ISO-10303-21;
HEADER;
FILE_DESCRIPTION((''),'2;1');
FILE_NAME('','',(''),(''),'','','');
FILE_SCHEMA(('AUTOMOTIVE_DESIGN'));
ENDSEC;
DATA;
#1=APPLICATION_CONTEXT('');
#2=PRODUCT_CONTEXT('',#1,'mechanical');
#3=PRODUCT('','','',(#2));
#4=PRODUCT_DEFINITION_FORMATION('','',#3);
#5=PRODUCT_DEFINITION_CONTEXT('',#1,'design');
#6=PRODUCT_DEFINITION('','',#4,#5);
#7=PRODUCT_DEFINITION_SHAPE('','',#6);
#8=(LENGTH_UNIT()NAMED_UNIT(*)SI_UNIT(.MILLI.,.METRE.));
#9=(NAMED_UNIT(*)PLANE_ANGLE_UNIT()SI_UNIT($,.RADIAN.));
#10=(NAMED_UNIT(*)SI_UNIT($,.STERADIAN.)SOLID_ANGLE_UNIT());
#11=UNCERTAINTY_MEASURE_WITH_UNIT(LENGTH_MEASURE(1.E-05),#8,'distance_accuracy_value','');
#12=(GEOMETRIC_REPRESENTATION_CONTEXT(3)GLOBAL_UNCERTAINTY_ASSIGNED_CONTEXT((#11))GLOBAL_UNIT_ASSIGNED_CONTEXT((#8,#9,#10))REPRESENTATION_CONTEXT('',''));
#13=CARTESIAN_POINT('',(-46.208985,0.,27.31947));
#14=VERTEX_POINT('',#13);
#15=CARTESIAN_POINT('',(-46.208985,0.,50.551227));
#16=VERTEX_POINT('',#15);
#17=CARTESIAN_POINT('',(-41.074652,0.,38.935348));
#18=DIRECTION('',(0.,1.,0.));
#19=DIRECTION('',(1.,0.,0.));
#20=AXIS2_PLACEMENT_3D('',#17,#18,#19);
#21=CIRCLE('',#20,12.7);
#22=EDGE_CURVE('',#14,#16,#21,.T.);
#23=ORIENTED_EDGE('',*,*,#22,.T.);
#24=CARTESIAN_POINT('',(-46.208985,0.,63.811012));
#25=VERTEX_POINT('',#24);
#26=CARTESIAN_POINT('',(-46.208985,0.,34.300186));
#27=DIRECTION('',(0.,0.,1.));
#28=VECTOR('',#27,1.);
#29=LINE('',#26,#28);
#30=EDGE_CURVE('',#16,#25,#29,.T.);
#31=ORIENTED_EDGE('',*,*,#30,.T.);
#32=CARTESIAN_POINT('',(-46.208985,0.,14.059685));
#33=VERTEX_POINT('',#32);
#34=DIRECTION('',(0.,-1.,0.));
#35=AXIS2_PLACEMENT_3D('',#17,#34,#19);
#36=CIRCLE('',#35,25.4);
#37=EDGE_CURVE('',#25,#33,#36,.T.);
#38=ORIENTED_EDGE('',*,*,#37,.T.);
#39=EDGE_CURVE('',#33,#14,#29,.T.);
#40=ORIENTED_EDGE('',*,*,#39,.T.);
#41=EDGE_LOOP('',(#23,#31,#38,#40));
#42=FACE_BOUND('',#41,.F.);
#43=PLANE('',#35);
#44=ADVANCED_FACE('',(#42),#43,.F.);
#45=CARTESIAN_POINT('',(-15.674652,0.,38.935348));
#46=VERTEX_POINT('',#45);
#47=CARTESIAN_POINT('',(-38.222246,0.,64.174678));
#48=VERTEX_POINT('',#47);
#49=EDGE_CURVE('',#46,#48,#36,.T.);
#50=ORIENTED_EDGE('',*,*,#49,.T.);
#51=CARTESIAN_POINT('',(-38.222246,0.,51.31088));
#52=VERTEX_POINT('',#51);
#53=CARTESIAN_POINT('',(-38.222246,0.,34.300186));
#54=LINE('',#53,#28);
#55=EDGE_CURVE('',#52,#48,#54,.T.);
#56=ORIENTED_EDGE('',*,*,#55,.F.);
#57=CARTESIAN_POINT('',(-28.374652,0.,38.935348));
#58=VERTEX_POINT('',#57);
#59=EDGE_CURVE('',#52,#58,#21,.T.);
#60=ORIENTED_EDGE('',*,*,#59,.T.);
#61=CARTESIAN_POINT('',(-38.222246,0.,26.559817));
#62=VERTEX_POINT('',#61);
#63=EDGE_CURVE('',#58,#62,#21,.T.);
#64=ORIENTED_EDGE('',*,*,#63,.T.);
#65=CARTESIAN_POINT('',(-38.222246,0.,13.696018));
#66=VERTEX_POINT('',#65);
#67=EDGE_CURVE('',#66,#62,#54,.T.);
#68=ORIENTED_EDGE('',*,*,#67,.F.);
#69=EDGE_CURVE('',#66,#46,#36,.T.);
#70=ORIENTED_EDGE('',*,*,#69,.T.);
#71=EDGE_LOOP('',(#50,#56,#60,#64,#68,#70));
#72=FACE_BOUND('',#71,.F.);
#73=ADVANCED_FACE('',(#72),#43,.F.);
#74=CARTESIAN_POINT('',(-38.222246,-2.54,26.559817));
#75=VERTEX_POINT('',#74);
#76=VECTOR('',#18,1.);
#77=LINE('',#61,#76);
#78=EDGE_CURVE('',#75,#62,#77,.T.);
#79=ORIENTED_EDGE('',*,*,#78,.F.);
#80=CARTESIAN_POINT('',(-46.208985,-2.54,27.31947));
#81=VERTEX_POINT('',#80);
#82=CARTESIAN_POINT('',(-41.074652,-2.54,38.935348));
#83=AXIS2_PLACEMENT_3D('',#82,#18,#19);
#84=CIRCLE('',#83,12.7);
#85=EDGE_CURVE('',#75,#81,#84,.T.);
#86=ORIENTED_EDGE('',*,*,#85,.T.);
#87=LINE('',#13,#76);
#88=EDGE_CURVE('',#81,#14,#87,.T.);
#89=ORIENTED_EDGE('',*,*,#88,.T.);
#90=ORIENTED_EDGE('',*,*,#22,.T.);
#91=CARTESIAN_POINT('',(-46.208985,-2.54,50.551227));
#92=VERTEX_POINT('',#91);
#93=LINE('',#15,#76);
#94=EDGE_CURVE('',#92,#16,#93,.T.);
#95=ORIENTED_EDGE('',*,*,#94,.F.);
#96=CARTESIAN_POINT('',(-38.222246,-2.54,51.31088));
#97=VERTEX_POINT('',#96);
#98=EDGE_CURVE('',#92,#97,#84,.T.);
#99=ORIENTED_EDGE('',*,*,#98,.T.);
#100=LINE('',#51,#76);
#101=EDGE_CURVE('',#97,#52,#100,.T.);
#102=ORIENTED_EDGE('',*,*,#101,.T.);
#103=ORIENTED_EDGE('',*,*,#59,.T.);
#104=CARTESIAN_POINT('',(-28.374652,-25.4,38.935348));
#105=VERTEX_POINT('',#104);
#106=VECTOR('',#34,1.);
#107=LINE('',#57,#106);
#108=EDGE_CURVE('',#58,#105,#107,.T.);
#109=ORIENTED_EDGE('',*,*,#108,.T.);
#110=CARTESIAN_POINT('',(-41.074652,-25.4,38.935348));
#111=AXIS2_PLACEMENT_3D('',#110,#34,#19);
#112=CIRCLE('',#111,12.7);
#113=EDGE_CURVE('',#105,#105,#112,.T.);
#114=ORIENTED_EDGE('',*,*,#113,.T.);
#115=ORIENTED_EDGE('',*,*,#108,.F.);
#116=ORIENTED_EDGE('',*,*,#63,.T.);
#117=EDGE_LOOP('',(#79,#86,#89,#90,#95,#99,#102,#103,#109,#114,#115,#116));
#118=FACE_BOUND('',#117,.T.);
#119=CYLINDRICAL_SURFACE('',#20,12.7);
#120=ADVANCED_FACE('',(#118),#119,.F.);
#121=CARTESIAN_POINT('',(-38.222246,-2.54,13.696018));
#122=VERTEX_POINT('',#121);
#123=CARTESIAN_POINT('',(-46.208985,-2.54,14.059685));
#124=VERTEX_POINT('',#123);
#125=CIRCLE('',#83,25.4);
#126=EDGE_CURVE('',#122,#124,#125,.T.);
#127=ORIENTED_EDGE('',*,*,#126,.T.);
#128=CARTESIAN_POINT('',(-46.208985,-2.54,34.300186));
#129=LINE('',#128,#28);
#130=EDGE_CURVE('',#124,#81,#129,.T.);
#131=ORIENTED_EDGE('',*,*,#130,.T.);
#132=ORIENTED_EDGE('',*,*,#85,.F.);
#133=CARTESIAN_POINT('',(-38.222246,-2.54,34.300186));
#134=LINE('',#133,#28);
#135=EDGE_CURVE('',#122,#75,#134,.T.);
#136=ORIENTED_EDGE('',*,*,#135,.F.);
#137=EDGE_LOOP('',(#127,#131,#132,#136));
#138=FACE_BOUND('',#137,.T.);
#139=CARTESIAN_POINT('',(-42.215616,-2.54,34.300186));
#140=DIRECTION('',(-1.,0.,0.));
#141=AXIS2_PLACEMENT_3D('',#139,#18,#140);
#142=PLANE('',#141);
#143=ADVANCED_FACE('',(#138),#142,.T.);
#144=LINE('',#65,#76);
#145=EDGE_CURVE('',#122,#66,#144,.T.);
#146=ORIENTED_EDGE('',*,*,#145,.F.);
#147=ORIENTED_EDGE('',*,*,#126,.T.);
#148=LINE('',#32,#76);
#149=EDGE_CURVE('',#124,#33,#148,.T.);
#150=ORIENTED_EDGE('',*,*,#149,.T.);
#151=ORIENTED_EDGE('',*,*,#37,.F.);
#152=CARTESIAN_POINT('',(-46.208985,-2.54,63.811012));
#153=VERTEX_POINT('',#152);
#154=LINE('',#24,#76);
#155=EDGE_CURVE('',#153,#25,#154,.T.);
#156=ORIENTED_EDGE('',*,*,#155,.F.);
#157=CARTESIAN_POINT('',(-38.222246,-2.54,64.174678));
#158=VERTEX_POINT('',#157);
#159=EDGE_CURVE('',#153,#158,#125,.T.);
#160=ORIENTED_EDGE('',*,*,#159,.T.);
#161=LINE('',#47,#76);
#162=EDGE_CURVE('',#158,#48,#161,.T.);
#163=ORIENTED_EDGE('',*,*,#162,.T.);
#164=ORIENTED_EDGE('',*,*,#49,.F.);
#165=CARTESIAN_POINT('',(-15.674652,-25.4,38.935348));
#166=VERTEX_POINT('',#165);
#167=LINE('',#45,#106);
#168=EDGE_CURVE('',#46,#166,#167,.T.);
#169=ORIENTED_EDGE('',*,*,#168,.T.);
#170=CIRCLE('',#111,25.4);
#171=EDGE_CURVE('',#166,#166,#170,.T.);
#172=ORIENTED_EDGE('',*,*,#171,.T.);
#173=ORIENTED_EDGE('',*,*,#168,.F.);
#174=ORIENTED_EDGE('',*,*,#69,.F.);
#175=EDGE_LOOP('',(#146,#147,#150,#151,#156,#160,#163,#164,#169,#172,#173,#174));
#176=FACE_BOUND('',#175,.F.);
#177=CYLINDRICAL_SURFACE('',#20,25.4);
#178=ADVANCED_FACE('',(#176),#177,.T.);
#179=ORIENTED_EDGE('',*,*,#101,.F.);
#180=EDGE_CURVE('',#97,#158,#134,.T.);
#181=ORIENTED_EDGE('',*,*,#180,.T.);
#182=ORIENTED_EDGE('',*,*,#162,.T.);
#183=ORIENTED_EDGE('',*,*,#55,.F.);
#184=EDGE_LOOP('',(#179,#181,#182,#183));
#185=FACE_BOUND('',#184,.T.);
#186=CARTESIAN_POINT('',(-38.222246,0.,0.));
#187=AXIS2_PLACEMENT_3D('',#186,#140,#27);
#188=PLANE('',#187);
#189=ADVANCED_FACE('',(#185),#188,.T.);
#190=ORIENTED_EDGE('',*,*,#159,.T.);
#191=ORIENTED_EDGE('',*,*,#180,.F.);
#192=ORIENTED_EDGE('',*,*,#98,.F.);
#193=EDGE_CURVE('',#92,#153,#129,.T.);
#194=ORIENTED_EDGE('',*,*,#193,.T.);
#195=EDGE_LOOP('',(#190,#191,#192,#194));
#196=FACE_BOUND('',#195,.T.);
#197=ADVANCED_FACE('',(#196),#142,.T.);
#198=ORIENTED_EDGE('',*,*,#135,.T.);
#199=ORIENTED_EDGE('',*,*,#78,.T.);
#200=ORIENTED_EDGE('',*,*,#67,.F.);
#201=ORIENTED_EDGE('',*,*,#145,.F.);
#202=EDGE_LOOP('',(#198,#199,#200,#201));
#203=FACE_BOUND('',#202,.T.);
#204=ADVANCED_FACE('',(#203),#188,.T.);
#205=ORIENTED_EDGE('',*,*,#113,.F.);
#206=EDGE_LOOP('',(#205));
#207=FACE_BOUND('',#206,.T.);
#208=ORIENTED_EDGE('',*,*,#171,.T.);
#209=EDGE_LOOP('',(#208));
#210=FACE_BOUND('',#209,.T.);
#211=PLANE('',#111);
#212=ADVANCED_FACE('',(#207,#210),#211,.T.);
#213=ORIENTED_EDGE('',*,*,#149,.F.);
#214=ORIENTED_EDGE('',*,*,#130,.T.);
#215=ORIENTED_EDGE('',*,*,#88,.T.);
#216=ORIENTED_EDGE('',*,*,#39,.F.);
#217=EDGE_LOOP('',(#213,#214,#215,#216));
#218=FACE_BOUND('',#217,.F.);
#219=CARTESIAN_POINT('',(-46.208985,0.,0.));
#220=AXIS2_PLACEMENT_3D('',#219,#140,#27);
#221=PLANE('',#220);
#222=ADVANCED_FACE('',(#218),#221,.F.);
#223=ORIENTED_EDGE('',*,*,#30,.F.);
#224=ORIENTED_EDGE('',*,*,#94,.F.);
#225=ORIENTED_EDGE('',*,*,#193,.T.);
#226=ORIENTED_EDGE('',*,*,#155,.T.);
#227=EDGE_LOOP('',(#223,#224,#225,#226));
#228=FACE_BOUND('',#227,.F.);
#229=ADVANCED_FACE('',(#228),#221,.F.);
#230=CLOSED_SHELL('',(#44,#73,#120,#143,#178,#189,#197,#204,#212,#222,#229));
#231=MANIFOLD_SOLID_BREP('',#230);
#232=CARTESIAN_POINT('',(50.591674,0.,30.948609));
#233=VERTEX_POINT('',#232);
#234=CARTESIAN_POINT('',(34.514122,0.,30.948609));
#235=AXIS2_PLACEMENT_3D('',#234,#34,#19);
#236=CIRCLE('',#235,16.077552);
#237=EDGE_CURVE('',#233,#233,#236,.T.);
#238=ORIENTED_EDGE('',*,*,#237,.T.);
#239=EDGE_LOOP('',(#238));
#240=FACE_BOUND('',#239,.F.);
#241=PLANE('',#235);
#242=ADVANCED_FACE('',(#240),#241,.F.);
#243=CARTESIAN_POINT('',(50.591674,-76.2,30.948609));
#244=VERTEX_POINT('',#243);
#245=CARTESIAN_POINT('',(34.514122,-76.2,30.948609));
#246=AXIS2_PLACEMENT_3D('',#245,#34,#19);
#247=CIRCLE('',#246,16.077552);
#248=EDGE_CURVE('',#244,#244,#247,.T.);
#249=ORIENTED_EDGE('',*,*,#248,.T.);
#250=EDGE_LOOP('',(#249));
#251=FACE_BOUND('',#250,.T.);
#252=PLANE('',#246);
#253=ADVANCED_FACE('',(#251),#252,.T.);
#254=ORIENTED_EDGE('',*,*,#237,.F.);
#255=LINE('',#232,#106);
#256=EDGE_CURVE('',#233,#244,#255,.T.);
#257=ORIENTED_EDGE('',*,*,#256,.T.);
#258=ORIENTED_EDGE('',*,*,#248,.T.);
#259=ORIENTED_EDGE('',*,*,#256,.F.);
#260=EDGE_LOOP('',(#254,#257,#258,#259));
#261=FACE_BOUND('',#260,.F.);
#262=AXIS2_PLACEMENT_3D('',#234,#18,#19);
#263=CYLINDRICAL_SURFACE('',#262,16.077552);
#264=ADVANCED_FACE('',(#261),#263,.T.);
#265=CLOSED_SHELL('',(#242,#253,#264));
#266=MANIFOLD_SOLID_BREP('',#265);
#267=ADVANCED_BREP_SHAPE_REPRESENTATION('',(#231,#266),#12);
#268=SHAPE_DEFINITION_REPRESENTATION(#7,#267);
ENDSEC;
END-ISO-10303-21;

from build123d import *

# Parameters (mm, degrees)
F0_R     = 25.4
F0_R_2   = 12.7
F2_DEPTH = 25.4
F1_R     = 16.0775521087
F3_DEPTH = 76.2
F4_W     = 7.9867392778
F4_H     = 68.60037148
F5_DEPTH = 2.54
F6_DEPTH = 2.54


with BuildPart() as f2:
    # F0 (on Front) → F2 (new body)
    with BuildSketch(Plane.XZ):
        with Locations((-41.0746522248, 38.9353483915)):
            Circle(F0_R)
        with Locations((-41.0746522248, 38.9353483915)):
            Circle(F0_R_2, mode=Mode.SUBTRACT)
    extrude(amount=F2_DEPTH)

    # F4 (on face) → F5 (cut)
    with BuildSketch(Plane(origin=(0, 0, 0), x_dir=(-1, 0, 0), z_dir=(0, 1, 0))):
        with Locations((42.2156155109, 34.30018574)):
            Rectangle(F4_W, F4_H)
    extrude(amount=F5_DEPTH, mode=Mode.SUBTRACT)

    # F4 (on face) → F6 (cut)
    with BuildSketch(Plane(origin=(0, 0, 0), x_dir=(-1, 0, 0), z_dir=(0, 1, 0))):
        with Locations((42.2156155109, 34.30018574)):
            Rectangle(F4_W, F4_H)
    extrude(amount=-F6_DEPTH, mode=Mode.SUBTRACT)


with BuildPart() as f3:
    # F1 (on Front) → F3 (new body)
    with BuildSketch(Plane.XZ):
        with Locations((34.5141217113, 30.9486091137)):
            Circle(F1_R)
    extrude(amount=F3_DEPTH)


solid = Compound([f2.part, f3.part])
